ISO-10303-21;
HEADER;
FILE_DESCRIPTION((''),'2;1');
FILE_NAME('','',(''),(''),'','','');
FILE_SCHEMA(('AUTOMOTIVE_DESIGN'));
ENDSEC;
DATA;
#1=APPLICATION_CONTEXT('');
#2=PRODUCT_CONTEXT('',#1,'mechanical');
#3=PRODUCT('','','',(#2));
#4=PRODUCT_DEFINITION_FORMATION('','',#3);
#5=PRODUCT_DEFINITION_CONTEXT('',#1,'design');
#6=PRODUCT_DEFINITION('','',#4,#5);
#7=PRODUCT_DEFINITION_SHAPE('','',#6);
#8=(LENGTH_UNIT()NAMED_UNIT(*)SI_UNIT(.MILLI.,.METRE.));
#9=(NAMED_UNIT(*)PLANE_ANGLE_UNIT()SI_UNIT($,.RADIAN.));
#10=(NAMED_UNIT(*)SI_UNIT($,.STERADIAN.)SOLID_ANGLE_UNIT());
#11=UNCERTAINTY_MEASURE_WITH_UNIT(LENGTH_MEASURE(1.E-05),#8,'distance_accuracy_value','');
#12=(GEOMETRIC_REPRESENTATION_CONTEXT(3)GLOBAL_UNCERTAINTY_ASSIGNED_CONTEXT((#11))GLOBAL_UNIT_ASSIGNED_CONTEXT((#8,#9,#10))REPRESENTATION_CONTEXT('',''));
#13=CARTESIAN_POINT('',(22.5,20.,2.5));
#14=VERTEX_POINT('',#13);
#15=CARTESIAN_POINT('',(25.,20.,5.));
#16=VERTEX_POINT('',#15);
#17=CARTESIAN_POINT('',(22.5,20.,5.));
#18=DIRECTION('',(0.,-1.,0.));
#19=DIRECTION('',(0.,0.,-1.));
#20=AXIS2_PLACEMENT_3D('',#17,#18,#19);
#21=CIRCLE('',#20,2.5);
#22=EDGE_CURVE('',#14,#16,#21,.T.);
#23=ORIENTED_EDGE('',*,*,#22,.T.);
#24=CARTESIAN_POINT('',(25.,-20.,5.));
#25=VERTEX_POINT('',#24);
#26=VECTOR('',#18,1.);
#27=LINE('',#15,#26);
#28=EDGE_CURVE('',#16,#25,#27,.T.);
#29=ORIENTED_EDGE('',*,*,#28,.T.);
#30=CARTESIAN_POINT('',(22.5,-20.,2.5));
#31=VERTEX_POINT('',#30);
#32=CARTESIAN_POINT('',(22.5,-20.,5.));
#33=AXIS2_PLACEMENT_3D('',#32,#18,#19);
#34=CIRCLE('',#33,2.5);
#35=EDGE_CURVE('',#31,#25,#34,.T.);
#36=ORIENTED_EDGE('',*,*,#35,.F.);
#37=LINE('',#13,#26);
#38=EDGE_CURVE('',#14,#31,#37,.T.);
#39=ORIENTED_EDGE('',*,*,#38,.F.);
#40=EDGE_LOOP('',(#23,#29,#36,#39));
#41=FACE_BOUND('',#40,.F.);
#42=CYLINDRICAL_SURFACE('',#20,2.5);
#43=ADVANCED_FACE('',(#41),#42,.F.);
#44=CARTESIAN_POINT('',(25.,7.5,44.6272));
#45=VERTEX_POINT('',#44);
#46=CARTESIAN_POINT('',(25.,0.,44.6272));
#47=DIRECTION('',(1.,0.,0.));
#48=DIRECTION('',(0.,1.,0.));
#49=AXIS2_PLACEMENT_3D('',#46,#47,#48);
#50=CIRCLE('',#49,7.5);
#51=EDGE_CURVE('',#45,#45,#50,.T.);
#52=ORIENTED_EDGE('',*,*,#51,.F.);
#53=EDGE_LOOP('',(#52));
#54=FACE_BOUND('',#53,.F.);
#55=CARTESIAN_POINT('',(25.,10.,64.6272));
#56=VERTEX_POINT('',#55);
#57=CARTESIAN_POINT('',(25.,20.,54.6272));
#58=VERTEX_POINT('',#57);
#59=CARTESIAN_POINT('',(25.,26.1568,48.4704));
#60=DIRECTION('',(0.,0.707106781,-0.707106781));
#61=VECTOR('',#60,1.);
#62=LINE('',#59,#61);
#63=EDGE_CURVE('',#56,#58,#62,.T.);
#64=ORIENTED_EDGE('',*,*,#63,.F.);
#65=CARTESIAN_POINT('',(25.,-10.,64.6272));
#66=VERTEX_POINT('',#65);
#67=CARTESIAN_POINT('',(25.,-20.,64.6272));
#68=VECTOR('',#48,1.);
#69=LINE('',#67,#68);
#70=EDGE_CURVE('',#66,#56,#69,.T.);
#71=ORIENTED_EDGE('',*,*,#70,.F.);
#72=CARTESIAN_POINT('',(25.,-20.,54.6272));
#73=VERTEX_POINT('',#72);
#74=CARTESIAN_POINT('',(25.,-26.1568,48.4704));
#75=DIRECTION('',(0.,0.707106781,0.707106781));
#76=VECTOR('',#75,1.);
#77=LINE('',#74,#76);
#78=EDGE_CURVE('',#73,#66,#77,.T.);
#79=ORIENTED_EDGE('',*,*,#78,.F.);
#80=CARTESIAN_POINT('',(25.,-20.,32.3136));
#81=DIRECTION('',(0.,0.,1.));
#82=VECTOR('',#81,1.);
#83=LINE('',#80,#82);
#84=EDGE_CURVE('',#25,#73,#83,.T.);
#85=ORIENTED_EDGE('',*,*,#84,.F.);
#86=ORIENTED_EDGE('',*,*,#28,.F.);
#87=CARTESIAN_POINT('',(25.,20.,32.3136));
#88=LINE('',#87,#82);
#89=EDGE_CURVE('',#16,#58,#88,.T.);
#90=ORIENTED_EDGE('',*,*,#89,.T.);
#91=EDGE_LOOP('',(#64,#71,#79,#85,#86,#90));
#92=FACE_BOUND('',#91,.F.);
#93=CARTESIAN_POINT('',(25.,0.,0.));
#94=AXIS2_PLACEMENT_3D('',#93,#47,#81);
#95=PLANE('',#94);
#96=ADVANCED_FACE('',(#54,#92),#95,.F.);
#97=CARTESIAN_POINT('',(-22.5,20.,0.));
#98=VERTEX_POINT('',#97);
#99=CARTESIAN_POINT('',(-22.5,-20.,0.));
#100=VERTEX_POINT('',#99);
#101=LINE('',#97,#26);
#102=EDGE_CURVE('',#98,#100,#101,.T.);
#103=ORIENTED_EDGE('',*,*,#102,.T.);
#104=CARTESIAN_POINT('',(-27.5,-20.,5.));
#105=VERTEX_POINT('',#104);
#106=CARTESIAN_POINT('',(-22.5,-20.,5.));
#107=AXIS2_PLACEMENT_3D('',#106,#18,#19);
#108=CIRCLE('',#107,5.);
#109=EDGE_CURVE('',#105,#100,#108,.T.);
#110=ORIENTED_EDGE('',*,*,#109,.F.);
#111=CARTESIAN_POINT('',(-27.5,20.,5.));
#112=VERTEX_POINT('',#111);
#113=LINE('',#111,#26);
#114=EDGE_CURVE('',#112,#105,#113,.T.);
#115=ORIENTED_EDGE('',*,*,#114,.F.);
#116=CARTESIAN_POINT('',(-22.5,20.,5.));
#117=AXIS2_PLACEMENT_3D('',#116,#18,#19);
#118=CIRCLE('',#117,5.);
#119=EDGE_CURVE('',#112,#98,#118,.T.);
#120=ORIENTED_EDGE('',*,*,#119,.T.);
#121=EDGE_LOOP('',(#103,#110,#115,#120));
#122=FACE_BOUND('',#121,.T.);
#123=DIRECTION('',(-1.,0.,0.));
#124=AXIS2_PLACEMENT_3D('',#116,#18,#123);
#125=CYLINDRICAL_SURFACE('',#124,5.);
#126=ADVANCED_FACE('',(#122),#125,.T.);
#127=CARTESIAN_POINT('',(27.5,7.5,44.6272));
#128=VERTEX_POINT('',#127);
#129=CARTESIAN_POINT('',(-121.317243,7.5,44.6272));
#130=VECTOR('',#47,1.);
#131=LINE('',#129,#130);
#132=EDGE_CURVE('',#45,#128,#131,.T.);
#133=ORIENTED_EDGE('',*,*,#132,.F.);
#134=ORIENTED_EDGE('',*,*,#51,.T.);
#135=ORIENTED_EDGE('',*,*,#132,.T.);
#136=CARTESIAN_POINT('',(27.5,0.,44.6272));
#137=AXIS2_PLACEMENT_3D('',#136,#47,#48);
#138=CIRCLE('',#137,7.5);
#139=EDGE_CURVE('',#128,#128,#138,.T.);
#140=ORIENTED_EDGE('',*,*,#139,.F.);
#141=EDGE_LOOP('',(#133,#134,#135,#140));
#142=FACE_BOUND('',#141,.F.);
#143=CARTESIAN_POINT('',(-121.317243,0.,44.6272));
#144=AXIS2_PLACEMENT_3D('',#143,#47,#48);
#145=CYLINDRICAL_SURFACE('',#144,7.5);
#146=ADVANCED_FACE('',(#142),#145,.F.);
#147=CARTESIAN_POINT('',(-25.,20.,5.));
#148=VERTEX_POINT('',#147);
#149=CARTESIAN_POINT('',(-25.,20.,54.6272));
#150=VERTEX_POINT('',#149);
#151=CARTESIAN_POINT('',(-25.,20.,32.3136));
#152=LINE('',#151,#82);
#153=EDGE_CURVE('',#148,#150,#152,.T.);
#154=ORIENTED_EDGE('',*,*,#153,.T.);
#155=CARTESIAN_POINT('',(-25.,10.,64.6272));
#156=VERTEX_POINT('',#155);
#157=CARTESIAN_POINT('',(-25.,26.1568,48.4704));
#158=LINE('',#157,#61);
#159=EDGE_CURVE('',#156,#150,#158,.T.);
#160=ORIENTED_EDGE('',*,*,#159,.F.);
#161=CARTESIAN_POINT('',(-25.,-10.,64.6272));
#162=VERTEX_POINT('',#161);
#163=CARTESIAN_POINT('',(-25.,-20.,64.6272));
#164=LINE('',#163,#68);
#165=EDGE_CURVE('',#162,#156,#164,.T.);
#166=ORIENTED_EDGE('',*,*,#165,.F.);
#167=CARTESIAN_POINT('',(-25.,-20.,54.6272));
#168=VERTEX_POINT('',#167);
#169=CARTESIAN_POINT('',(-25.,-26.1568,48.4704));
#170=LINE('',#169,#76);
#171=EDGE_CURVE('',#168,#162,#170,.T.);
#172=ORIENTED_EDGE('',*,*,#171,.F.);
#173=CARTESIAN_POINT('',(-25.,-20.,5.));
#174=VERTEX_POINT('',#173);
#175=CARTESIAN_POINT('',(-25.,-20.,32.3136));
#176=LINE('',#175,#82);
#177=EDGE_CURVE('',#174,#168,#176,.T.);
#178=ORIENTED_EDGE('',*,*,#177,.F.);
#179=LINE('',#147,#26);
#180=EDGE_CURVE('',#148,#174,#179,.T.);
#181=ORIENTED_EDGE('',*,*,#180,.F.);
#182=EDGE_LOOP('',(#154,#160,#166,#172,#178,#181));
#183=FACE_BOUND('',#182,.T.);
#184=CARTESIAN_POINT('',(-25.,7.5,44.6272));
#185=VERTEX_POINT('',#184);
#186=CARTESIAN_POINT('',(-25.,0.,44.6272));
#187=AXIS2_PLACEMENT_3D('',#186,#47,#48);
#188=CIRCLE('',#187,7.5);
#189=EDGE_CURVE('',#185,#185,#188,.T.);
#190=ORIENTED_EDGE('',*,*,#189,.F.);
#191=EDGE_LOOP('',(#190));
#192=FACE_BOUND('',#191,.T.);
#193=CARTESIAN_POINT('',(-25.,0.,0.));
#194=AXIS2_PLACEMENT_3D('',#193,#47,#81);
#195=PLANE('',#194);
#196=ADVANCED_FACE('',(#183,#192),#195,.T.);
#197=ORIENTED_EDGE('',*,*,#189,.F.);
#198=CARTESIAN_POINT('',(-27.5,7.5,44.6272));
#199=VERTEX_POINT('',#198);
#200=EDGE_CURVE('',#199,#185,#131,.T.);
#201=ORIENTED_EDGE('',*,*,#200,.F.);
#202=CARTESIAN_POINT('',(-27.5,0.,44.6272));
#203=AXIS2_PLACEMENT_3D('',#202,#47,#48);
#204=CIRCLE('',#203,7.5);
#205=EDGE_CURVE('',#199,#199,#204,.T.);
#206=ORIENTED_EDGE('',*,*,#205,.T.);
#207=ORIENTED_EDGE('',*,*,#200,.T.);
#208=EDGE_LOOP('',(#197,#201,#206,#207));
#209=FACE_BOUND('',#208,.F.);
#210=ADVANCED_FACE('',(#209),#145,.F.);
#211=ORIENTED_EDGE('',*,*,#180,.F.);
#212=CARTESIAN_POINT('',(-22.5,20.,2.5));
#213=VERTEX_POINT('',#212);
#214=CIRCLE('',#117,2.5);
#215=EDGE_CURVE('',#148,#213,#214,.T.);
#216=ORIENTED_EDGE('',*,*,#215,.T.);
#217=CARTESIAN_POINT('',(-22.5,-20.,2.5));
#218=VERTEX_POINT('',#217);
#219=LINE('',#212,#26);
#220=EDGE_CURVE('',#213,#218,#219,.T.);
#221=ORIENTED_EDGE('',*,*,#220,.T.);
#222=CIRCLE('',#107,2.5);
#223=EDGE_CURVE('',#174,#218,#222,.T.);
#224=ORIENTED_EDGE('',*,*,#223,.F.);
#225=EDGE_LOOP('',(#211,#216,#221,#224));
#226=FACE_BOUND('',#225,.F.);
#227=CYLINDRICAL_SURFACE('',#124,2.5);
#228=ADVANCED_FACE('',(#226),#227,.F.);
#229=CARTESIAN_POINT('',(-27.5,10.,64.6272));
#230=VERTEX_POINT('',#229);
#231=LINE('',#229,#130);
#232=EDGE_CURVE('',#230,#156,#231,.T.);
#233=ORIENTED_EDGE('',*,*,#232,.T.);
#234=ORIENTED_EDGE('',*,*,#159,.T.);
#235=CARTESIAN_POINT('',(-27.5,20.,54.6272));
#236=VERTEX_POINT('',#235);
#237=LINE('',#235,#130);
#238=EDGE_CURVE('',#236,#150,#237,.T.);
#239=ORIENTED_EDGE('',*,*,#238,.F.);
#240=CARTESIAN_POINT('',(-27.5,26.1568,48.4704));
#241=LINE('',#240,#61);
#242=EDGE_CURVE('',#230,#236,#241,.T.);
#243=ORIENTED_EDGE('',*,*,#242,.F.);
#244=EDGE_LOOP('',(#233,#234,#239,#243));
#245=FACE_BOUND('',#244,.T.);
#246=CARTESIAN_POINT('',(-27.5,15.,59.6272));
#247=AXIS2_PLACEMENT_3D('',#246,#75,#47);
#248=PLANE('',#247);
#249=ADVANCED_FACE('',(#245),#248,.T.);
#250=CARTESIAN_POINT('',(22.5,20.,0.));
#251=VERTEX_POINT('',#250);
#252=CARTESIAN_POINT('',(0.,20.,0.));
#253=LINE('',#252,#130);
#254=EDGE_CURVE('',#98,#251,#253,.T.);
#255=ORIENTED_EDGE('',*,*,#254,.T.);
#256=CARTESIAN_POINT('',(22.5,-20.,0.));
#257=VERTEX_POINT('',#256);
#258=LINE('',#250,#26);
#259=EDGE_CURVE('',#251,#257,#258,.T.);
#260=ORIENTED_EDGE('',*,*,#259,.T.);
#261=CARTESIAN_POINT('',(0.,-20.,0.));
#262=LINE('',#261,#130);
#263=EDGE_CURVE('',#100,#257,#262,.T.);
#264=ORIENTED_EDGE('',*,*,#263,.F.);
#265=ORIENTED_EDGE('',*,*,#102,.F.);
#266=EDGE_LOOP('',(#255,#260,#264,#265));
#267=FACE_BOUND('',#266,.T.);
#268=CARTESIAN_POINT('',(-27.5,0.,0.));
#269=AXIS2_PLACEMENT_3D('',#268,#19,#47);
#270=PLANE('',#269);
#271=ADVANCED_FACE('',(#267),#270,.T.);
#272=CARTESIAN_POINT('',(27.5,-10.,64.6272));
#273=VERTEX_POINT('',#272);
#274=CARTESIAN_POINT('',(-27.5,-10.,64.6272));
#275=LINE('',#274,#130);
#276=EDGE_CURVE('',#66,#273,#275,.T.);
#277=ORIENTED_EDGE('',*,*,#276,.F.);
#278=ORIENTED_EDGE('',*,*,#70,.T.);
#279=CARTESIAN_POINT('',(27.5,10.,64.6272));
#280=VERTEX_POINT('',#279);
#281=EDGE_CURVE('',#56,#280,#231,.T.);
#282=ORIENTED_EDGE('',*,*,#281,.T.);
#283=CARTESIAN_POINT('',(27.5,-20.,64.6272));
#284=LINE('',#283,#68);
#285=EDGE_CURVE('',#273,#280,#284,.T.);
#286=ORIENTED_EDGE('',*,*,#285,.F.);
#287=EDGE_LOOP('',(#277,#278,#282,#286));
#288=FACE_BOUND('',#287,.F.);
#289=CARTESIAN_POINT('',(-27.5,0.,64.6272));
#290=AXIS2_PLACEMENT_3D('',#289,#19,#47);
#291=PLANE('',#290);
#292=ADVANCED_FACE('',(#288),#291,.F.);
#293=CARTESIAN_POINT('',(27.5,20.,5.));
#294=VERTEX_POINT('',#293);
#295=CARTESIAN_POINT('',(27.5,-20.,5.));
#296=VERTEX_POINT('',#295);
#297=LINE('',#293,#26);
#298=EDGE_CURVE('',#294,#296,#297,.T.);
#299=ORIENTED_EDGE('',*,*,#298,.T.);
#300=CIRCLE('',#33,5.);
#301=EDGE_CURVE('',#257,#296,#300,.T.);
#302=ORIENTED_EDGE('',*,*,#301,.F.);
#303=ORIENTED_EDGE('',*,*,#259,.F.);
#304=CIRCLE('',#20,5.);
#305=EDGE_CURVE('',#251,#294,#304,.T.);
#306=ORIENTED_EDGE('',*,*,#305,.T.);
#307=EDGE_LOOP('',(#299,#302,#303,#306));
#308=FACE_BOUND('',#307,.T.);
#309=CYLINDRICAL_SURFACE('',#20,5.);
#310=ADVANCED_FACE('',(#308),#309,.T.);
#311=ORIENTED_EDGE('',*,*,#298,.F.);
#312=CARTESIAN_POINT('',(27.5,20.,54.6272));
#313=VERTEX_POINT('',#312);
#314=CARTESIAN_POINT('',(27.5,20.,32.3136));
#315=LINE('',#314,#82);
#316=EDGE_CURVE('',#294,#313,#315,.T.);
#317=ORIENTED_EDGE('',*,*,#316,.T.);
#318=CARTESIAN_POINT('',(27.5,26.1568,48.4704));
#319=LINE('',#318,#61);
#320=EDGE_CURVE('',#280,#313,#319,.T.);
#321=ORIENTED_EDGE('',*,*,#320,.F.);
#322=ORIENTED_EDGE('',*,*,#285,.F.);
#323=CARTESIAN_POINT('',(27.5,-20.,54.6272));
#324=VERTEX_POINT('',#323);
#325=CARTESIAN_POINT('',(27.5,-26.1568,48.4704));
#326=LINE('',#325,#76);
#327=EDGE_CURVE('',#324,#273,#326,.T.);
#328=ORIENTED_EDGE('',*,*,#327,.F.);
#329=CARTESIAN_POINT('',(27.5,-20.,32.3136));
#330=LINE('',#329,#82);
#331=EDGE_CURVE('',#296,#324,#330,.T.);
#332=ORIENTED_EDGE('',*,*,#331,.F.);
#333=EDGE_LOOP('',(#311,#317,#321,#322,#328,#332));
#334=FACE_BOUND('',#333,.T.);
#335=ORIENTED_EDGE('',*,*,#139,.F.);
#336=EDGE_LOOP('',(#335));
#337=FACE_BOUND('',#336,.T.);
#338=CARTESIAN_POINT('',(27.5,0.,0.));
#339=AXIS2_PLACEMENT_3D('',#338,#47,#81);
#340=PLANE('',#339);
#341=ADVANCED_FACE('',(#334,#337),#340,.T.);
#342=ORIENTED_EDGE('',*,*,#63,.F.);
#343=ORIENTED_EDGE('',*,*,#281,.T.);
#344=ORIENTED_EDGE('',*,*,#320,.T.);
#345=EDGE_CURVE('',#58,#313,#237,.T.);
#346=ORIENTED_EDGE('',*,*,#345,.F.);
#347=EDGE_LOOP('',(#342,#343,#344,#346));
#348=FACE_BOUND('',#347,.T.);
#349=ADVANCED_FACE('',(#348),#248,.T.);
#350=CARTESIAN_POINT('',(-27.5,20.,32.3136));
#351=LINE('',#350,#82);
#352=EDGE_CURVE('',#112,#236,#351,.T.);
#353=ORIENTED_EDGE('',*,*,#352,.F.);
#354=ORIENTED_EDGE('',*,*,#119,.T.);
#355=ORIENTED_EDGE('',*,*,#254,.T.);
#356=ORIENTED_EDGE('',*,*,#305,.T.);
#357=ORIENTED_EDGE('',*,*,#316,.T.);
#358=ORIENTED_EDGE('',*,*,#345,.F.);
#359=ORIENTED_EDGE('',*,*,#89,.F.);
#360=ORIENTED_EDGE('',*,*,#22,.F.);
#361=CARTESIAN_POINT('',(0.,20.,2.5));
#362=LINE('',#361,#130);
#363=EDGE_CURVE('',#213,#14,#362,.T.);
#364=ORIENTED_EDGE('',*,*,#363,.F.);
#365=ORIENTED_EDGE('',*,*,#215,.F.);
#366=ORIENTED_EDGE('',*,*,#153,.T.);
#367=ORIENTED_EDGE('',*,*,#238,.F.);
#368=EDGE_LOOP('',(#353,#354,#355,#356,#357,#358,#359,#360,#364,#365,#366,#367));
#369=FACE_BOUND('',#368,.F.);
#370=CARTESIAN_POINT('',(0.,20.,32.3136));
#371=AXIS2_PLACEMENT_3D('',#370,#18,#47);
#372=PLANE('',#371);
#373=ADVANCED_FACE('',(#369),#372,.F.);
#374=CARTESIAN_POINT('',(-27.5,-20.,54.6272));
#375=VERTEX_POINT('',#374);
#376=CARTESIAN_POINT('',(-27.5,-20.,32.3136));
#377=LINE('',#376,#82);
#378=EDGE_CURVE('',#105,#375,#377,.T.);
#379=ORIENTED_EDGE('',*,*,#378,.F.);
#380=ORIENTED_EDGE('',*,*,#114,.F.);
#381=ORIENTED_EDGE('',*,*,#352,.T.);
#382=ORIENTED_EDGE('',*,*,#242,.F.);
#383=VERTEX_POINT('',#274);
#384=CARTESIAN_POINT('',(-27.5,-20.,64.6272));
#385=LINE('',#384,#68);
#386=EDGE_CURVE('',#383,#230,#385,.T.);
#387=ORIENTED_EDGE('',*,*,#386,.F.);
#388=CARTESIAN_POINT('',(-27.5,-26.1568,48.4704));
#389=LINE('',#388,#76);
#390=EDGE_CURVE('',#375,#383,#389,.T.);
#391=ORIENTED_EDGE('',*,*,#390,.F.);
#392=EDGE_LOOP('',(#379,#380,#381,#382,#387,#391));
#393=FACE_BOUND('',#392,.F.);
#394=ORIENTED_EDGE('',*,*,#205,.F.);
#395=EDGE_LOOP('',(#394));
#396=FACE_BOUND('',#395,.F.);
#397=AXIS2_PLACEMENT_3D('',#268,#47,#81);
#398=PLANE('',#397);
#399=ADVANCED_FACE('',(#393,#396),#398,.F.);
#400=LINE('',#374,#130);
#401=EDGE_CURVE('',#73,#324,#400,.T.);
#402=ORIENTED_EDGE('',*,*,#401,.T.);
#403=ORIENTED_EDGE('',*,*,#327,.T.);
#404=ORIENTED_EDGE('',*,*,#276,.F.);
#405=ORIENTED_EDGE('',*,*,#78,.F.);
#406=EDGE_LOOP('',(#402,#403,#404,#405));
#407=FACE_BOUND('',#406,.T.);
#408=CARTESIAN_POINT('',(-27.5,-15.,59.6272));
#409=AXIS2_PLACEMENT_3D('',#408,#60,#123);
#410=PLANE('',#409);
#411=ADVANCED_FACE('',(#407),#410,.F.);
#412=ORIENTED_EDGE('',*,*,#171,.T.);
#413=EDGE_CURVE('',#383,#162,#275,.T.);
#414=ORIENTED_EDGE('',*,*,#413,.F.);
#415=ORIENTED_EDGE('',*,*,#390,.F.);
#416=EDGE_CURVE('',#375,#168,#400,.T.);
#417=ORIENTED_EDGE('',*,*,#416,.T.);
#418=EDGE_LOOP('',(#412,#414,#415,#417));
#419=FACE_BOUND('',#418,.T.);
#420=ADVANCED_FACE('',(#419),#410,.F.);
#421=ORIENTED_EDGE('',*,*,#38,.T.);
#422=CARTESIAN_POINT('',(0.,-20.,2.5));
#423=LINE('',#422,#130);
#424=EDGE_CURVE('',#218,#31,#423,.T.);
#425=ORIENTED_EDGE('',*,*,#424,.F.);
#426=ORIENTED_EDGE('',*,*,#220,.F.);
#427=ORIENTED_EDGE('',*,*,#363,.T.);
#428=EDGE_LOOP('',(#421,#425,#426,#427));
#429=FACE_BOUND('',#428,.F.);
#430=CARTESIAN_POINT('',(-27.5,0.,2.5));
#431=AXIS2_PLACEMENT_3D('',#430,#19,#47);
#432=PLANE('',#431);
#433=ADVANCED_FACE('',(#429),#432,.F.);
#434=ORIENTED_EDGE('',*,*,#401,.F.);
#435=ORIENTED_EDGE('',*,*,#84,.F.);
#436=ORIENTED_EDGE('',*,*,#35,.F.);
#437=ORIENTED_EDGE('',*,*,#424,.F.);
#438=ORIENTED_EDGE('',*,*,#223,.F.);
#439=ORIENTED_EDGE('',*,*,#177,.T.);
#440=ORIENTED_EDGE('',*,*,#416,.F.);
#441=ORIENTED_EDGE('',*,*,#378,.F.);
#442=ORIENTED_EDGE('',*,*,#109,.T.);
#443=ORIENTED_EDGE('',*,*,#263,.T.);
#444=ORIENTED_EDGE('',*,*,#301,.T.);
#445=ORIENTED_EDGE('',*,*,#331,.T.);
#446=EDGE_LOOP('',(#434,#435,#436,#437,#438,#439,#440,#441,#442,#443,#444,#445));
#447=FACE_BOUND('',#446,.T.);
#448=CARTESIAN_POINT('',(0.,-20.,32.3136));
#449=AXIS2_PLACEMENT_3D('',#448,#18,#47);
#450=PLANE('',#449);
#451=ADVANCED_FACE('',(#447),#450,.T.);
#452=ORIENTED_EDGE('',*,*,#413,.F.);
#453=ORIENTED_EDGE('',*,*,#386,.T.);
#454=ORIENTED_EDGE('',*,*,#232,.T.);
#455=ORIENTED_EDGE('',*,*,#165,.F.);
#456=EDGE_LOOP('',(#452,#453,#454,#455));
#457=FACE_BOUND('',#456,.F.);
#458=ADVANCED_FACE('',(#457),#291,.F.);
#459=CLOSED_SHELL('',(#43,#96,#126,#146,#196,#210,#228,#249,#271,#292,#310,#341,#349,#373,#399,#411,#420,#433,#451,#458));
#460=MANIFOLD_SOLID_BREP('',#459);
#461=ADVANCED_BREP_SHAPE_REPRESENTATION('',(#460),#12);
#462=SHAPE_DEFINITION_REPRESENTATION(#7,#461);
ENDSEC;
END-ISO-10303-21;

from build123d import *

# Parameters (mm, degrees)
F0_W          = 55
F0_H          = 64.6272003651
F1_DEPTH      = 20
F1_DEPTH_BACK = 20
F2_SIZE       = 10
F3_R          = 5
F4_T          = -2.5
F6_D          = 15


with BuildPart() as f1:
    # F0 (on Front) → F1 (new body, two sides)
    with BuildSketch(Plane.XZ) as f1_sk:
        with Locations((0, 32.3136001825)):
            Rectangle(F0_W, F0_H)
    extrude(amount=F1_DEPTH)
    extrude(f1_sk.sketch, amount=-F1_DEPTH_BACK)

    # F2
    f2_edges = [f1.edges().sort_by_distance(p)[0] for p in [
        (0, -20, 64.6272),
        (0, 20, 64.6272),
    ]]
    chamfer(f2_edges, length=F2_SIZE)

    # F3
    f3_edges = [f1.edges().sort_by_distance(p)[0] for p in [
        (-27.5, 0, 0),
        (27.5, 0, 0),
    ]]
    fillet(f3_edges, radius=F3_R)

    # F4
    f4_openings = [f1.faces().sort_by_distance(p)[0] for p in [
        (0, -20, 27.407493),
        (0, -15, 59.6272),
        (0, 0, 64.6272),
        (0, 15, 59.6272),
        (0, 20, 27.407493),
    ]]
    offset(amount=F4_T, openings=f4_openings)

    # F6 (through all)
    with Locations(Plane(origin=(-27.5, 0, 0), x_dir=(0, -1, 0), z_dir=(-1, 0, 0))):
        with Locations((0, 44.6272003651)):
            Hole(F6_D / 2)


solid = f1.part
